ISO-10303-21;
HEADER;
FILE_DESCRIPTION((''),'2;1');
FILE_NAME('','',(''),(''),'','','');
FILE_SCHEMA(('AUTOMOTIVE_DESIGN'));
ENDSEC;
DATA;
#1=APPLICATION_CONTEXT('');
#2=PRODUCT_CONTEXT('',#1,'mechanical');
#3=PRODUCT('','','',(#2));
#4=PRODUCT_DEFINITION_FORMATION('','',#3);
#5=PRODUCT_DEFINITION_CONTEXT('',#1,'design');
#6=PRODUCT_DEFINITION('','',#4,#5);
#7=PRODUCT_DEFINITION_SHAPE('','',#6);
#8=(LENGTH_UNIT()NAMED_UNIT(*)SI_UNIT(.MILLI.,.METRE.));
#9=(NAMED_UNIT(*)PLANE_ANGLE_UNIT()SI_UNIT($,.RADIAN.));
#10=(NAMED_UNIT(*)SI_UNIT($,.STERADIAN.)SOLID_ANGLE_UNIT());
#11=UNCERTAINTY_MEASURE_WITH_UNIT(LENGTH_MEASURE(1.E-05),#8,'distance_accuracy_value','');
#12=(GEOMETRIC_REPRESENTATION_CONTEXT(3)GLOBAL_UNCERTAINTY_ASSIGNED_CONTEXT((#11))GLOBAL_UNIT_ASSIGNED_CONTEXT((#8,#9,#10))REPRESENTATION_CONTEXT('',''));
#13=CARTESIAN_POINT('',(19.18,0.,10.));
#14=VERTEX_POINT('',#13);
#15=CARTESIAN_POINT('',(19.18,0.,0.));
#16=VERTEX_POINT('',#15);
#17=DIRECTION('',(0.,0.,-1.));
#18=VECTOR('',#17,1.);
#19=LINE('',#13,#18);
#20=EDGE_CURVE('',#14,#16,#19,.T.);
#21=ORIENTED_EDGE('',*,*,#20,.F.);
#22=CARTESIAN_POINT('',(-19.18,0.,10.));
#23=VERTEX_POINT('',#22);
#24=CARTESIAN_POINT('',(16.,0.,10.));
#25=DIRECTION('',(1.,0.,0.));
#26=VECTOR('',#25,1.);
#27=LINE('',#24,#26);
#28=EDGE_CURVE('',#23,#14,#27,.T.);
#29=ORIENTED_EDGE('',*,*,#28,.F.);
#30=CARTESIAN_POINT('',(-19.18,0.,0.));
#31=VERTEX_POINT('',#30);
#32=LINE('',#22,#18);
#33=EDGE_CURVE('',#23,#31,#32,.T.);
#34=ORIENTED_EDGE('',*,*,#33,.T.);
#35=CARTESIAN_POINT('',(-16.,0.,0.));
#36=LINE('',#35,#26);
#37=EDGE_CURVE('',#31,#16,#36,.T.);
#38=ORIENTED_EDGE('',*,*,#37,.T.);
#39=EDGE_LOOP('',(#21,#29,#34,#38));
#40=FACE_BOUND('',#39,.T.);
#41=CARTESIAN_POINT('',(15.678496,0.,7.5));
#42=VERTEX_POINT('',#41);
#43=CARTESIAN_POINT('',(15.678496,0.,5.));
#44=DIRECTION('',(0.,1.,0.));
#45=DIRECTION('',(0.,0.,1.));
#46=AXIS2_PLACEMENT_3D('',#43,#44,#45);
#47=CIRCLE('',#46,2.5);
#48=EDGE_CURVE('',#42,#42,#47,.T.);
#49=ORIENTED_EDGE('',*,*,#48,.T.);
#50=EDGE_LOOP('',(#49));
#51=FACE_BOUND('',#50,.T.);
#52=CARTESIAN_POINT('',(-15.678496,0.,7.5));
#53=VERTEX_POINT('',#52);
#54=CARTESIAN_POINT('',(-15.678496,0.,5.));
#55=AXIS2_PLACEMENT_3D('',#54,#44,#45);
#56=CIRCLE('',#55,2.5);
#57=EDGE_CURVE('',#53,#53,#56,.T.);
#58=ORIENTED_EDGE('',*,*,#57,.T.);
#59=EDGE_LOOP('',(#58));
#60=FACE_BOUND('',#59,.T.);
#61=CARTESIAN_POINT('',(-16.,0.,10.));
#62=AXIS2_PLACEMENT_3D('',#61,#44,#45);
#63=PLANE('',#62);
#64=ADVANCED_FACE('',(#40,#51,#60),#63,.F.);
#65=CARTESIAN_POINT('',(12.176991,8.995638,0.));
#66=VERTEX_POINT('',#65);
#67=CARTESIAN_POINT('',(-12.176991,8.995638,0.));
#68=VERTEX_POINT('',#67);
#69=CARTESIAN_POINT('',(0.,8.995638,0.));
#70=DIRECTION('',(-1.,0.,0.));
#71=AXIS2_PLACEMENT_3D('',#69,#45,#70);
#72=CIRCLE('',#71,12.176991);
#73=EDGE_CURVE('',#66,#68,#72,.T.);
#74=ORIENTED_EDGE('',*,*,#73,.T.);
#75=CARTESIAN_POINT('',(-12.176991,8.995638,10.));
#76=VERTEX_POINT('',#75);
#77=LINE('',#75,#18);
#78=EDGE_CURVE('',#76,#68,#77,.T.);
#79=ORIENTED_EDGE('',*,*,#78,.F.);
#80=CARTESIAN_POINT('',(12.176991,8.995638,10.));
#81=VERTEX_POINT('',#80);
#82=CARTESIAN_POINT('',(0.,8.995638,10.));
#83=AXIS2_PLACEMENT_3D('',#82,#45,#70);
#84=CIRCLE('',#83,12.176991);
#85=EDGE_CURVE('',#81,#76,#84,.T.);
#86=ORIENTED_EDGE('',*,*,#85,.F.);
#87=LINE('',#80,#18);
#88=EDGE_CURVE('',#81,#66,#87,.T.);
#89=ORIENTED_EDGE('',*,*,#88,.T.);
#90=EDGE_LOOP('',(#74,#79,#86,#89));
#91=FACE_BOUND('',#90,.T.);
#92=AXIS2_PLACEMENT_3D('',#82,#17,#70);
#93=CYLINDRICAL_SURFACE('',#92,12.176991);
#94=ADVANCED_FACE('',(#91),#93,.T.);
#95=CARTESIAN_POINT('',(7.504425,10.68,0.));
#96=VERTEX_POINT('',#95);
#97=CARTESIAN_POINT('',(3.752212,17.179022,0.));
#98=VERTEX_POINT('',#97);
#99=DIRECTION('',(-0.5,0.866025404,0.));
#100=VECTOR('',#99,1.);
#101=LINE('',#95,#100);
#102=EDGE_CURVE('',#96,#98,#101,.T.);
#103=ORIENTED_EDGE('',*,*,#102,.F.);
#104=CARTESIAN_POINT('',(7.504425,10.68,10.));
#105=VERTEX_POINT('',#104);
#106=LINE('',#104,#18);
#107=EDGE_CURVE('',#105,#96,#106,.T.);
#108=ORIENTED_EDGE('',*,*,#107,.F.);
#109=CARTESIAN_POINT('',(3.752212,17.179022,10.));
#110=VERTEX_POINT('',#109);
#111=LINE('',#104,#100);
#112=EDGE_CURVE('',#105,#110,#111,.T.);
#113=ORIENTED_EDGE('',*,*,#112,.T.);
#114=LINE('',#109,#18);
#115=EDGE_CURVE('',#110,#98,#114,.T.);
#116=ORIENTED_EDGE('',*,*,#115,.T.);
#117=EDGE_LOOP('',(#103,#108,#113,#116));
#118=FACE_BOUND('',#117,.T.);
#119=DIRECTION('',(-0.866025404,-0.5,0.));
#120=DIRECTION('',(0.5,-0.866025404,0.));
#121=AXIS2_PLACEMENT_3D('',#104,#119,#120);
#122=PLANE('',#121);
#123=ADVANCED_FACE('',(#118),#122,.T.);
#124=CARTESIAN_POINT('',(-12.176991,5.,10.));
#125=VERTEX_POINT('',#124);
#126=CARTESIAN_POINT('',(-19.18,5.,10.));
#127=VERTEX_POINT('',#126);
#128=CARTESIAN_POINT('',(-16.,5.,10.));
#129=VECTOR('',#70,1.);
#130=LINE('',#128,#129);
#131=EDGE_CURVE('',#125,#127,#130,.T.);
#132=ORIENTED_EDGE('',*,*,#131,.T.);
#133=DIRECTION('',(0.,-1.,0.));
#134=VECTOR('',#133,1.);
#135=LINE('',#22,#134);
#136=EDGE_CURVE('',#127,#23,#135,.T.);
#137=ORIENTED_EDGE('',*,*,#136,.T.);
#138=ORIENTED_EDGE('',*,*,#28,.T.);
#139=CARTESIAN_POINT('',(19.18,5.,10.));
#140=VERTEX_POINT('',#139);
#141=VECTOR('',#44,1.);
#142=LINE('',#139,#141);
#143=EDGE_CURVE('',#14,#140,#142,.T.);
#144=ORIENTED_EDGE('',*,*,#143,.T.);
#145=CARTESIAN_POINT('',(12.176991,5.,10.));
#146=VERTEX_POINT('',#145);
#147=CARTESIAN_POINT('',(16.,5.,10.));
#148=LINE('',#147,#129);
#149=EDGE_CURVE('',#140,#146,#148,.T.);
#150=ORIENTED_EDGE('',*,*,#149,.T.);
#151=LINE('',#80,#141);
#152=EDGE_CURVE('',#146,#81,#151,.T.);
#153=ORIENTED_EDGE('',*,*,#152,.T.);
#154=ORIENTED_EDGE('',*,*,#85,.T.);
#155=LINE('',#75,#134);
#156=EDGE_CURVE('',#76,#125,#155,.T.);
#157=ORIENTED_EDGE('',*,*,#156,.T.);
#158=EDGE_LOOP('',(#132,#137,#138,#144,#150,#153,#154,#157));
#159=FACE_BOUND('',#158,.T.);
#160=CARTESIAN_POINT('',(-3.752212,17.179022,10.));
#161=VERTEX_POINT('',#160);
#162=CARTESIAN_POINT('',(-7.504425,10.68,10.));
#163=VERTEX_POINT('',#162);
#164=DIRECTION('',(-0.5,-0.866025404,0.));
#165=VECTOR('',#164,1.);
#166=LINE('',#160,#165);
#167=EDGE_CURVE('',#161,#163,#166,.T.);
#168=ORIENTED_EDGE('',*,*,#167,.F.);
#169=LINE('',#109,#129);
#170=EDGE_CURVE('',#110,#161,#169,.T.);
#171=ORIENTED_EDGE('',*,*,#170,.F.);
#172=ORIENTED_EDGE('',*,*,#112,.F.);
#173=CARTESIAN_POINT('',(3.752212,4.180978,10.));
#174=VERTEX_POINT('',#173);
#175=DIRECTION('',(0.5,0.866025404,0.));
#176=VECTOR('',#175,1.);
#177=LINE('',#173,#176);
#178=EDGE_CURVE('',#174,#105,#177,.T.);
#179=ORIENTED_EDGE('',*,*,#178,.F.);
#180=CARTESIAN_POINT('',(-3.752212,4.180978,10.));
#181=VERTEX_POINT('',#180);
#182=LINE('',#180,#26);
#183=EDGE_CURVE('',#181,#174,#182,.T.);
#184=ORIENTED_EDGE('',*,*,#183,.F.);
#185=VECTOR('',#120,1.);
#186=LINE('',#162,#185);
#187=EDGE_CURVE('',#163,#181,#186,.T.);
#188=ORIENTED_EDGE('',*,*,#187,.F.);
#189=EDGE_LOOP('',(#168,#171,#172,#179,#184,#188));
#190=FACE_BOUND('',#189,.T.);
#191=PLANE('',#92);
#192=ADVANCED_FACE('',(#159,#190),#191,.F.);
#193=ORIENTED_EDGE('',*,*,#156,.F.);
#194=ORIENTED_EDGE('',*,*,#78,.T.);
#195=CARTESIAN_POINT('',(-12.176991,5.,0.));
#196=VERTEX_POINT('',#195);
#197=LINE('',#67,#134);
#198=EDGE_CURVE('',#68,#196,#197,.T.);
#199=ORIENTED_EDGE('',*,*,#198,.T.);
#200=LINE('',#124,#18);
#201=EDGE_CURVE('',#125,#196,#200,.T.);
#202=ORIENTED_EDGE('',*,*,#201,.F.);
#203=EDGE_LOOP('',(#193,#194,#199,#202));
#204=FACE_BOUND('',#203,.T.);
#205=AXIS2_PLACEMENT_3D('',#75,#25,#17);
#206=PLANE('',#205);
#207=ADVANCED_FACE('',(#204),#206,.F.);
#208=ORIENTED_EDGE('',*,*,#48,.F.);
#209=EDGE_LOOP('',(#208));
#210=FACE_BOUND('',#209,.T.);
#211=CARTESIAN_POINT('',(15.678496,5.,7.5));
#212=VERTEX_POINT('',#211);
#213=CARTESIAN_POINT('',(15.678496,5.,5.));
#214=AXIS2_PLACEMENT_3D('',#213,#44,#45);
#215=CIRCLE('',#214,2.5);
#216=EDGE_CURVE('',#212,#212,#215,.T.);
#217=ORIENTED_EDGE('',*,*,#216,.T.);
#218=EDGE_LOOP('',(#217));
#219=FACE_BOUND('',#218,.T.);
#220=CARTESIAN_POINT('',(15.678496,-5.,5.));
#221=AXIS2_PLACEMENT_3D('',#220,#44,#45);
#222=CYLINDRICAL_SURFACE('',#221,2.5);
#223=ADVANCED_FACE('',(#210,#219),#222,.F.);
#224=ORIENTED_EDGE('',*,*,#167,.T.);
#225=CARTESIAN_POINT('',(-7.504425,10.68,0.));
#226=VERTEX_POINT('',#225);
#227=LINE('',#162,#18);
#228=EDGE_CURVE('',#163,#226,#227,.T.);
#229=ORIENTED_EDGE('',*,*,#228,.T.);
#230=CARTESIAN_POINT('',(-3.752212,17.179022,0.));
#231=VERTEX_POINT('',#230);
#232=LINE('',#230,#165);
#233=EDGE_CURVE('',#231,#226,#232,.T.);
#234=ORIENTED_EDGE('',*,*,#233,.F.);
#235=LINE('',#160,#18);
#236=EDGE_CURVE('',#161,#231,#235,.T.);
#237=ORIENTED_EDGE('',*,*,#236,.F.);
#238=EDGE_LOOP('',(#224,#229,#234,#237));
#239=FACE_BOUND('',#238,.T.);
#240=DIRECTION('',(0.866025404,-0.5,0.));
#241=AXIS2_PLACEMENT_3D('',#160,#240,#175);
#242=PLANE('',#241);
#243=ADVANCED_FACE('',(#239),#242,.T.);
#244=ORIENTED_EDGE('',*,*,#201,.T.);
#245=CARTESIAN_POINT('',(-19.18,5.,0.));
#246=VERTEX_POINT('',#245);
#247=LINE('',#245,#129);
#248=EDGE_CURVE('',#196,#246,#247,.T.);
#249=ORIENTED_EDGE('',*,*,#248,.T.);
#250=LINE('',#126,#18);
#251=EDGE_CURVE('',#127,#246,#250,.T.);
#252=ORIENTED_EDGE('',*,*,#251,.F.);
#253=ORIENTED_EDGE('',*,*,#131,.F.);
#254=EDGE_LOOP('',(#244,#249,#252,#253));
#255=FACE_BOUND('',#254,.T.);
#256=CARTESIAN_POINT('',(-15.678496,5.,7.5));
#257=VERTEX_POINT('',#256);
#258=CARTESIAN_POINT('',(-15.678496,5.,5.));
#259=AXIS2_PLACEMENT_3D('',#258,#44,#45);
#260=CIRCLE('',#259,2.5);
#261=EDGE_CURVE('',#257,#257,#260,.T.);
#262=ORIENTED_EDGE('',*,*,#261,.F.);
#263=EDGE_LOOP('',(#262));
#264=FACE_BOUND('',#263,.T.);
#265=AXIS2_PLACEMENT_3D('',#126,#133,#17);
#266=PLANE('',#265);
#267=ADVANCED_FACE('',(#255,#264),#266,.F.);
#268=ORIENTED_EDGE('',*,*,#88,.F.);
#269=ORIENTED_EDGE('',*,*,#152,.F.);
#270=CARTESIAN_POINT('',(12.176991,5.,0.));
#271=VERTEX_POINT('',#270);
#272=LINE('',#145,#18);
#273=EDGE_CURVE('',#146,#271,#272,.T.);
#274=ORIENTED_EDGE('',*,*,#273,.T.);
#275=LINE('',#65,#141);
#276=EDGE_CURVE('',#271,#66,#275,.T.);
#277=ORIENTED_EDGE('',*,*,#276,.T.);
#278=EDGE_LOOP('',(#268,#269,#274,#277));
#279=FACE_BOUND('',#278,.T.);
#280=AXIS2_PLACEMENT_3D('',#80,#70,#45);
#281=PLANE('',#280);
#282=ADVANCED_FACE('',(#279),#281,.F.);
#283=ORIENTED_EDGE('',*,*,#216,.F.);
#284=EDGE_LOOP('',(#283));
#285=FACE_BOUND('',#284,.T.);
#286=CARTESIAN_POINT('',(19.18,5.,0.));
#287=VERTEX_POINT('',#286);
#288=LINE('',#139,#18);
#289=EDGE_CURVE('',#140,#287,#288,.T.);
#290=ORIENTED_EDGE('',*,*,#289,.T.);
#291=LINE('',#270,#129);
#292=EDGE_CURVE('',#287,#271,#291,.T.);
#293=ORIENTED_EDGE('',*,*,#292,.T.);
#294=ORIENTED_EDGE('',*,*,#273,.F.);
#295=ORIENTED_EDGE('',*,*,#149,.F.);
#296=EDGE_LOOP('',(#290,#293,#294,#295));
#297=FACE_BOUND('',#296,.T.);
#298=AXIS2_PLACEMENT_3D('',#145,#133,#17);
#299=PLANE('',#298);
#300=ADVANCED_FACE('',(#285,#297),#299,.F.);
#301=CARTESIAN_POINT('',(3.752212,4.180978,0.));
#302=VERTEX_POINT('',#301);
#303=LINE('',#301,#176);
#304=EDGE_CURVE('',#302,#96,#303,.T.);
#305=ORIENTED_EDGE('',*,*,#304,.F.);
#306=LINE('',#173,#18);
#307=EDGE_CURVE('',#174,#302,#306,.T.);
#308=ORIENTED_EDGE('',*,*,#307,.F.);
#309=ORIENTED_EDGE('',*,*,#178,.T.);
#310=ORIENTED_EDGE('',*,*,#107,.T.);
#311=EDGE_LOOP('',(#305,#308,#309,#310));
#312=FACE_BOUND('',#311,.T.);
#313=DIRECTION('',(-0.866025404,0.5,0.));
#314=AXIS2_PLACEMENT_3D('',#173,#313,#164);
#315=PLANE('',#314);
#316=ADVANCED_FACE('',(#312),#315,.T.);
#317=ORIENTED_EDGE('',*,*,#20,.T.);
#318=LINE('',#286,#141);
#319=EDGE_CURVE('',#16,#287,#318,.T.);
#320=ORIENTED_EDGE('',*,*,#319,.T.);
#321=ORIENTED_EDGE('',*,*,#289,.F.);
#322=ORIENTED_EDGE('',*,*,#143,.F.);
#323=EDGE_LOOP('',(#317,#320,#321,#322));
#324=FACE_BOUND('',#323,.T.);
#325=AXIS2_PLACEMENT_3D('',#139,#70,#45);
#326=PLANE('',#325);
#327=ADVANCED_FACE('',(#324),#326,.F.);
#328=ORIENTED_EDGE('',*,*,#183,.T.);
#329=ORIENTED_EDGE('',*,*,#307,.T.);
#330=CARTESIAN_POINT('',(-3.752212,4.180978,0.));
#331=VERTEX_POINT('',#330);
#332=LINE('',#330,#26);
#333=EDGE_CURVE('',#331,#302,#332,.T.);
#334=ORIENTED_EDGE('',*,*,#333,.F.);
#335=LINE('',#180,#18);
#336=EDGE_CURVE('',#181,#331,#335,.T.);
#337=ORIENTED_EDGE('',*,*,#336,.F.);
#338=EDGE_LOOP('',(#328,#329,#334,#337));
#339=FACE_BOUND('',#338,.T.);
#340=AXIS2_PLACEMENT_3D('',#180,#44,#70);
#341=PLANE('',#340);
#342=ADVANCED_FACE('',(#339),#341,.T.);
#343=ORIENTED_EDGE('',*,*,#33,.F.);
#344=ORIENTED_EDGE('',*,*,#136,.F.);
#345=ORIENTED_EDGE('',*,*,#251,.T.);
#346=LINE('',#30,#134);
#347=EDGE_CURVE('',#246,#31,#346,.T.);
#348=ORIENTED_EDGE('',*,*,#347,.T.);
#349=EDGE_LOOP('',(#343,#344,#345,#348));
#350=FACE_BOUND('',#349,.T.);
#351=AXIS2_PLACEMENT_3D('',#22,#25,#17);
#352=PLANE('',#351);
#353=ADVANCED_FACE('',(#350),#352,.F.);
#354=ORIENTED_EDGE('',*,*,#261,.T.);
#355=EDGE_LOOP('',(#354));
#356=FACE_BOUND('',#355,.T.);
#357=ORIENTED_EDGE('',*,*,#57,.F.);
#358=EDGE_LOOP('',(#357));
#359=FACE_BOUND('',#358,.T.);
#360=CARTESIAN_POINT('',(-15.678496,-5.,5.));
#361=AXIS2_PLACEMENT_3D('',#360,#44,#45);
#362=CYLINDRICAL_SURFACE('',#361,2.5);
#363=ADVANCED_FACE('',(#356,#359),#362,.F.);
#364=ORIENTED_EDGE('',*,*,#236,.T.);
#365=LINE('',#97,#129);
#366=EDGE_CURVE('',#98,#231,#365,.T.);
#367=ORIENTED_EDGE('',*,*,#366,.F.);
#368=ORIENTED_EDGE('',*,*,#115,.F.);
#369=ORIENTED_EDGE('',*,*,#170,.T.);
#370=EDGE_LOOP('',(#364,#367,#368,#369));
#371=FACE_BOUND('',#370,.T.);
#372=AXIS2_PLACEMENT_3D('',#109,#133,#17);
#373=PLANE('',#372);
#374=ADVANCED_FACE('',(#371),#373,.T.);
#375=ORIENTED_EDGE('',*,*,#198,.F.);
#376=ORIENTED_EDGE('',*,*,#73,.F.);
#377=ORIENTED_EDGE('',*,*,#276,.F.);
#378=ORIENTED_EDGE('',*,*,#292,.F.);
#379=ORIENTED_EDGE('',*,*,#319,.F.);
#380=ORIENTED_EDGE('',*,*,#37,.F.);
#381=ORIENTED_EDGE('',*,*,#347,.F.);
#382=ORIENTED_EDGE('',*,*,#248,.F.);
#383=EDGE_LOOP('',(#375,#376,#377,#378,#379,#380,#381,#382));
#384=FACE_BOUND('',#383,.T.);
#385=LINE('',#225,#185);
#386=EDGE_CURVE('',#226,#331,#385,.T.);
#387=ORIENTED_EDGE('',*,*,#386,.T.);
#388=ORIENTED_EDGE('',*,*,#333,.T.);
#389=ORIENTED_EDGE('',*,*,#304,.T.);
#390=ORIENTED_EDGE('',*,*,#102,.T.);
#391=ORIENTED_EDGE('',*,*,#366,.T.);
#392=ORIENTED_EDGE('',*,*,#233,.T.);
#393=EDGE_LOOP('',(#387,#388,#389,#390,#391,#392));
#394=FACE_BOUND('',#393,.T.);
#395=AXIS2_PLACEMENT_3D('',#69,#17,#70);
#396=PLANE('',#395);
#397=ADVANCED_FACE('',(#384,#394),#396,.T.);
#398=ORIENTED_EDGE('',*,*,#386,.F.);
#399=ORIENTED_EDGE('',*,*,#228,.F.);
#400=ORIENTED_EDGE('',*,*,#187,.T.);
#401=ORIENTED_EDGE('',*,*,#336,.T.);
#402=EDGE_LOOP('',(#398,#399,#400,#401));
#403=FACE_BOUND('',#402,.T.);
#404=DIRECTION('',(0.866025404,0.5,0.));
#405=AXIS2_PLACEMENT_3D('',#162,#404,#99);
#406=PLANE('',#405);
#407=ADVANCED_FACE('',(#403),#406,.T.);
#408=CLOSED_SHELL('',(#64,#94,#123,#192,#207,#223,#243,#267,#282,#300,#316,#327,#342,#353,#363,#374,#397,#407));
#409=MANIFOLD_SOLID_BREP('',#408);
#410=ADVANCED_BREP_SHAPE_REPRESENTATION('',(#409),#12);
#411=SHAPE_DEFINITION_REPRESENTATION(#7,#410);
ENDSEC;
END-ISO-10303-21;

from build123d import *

# Parameters (mm, degrees)
BOSS_EXTRUDE1_DEPTH = 10
SKETCH2_R           = 2.5
CUT_EXTRUDE1_DEPTH  = 10


with BuildPart() as part:
    # Sketch1 → Boss-Extrude1 (new body)
    with BuildSketch(Plane.XY):
        with BuildLine():
            Line((-16, 0), (16, 0))
            Line((16, 0), (19.18, 0))
            Line((19.18, 0), (19.18, 5))
            Line((19.18, 5), (16, 5))
            Line((16, 5), (12.17699115, 5))
            Line((12.17699115, 5), (12.17699115, 8.995638399))
            ThreePointArc((12.17699115, 8.995638399), (0, 21.172629549), (-12.17699115, 8.995638399))
            Line((-12.17699115, 8.995638399), (-12.17699115, 5))
            Line((-12.17699115, 5), (-16, 5))
            Line((-16, 5), (-19.18, 5))
            Line((-19.18, 5), (-19.18, 0))
            Line((-19.18, 0), (-16, 0))
        make_face()
        Polygon((7.504424779, 10.68), (3.752212389, 17.179022499), (-3.752212389, 17.179022499), (-7.504424779, 10.68), (-3.752212389, 4.180977501), (3.752212389, 4.180977501), align=None, mode=Mode.SUBTRACT)
    extrude(amount=BOSS_EXTRUDE1_DEPTH)

    # Sketch2 → Cut-Extrude1 (cut)
    with BuildSketch(Plane(origin=(0, 5, 0), x_dir=(1, 0, 0), z_dir=(0, 1, 0))):
        with Locations(Location((15.678495575, -5, 0), (0, 0, 270))):
            Circle(SKETCH2_R)
        with Locations(Location((-15.678495575, -5, 0), (0, 0, 270))):
            Circle(SKETCH2_R)
    extrude(amount=-CUT_EXTRUDE1_DEPTH, mode=Mode.SUBTRACT)


solid = part.part
